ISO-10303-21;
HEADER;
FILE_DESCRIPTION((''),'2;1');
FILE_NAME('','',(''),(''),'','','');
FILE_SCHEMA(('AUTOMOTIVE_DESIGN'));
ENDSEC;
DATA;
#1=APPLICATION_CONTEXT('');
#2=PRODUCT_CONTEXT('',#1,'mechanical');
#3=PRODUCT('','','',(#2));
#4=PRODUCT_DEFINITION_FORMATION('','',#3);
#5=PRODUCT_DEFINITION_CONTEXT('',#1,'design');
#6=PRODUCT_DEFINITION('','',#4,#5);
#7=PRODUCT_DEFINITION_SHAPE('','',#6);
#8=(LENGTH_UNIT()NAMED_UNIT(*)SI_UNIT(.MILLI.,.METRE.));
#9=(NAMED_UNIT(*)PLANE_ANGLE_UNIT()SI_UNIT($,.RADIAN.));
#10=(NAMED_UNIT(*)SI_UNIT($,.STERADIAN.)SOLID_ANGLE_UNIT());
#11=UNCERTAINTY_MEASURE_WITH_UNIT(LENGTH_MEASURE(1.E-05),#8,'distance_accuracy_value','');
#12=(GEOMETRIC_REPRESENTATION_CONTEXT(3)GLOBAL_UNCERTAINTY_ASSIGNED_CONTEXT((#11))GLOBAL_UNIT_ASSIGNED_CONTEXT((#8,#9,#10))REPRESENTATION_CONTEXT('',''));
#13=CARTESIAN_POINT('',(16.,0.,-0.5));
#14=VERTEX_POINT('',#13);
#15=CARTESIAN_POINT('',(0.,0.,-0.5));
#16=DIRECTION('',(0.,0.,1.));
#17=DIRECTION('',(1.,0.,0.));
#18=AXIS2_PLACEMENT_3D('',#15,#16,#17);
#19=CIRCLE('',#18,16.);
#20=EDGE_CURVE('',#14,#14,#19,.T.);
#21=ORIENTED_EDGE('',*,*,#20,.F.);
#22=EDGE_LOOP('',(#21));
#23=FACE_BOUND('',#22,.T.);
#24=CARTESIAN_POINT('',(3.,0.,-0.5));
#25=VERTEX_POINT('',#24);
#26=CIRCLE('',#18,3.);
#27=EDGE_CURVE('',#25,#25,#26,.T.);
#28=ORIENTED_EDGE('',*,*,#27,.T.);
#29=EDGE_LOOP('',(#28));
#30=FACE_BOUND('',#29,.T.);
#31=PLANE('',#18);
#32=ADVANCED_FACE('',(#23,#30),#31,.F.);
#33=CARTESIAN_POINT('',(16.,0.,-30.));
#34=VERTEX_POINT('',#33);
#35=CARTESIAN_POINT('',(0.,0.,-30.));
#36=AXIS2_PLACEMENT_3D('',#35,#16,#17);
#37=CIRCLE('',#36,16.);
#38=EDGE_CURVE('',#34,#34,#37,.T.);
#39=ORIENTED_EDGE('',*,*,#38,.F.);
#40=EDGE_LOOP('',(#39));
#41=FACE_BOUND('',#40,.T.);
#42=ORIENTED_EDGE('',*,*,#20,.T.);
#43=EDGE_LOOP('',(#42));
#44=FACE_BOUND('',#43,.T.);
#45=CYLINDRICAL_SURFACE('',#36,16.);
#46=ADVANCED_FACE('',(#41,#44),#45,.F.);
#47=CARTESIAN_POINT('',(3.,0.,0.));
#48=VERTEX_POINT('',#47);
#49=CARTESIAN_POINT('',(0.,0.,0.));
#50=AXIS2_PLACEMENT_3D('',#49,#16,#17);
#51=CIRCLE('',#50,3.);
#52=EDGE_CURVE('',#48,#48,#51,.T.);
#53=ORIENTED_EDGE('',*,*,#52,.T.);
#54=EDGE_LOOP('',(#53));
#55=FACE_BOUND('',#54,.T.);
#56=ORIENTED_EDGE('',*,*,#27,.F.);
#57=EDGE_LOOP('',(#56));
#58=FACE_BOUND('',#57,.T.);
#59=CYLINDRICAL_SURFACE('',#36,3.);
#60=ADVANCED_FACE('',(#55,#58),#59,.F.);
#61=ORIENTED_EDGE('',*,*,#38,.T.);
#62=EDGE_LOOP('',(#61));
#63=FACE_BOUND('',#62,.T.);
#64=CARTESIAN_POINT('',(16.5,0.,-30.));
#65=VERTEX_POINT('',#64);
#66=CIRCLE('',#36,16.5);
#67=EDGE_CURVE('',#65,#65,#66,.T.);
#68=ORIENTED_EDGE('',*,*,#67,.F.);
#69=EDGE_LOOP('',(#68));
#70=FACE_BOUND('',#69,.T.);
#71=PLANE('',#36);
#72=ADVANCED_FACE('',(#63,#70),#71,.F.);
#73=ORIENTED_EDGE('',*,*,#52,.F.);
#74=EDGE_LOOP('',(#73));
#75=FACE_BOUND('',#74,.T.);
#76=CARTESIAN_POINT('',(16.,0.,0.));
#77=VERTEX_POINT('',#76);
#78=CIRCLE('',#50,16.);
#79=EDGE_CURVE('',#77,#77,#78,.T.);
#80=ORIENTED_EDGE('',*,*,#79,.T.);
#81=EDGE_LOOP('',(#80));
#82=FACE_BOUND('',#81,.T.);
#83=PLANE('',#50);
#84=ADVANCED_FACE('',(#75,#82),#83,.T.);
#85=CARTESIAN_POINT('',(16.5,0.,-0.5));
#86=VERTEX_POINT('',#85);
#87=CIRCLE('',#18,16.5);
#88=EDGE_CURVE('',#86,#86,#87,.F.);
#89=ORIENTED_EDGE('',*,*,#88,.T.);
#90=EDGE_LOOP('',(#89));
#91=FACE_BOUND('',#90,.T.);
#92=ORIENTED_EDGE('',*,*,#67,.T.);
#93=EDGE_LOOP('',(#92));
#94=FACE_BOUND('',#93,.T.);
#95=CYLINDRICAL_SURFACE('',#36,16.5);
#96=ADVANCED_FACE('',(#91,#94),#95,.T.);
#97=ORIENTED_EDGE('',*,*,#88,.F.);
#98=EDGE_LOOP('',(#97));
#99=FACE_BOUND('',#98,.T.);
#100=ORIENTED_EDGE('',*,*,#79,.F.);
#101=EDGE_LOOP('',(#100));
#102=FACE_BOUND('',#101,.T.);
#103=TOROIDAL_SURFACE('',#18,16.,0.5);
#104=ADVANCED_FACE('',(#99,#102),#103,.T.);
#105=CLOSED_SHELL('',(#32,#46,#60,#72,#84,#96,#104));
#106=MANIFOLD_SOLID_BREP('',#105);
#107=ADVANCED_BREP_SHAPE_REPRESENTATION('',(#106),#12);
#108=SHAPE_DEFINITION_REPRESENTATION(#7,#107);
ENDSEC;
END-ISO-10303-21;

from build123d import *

# Parameters (mm, degrees)
SKETCH1_R           = 16.5
BOSS_EXTRUDE1_DEPTH = 30
SHELL1_T            = -0.5
SKETCH2_R           = 3
CUT_EXTRUDE1_DEPTH  = 39.006578378
FILLET1_R           = 0.5


with BuildPart() as part:
    # Sketch1 → Boss-Extrude1 (new body)
    with BuildSketch(Plane.XY):
        Circle(SKETCH1_R)
    extrude(amount=-BOSS_EXTRUDE1_DEPTH)

    # Shell1
    shell1_openings = [part.faces().sort_by_distance(p)[0] for p in [
        (0, 0, -30),
    ]]
    offset(amount=SHELL1_T, openings=shell1_openings, kind=Kind.INTERSECTION)

    # Sketch2 → Cut-Extrude1 (cut, through all)
    with BuildSketch(Plane.XY):
        Circle(SKETCH2_R)
    extrude(amount=-CUT_EXTRUDE1_DEPTH, mode=Mode.SUBTRACT)

    # Fillet1
    fillet1_edges = [part.edges().sort_by_distance(p)[0] for p in [
        (-16.5, 0, 0),
    ]]
    fillet(fillet1_edges, radius=FILLET1_R)


solid = part.part
